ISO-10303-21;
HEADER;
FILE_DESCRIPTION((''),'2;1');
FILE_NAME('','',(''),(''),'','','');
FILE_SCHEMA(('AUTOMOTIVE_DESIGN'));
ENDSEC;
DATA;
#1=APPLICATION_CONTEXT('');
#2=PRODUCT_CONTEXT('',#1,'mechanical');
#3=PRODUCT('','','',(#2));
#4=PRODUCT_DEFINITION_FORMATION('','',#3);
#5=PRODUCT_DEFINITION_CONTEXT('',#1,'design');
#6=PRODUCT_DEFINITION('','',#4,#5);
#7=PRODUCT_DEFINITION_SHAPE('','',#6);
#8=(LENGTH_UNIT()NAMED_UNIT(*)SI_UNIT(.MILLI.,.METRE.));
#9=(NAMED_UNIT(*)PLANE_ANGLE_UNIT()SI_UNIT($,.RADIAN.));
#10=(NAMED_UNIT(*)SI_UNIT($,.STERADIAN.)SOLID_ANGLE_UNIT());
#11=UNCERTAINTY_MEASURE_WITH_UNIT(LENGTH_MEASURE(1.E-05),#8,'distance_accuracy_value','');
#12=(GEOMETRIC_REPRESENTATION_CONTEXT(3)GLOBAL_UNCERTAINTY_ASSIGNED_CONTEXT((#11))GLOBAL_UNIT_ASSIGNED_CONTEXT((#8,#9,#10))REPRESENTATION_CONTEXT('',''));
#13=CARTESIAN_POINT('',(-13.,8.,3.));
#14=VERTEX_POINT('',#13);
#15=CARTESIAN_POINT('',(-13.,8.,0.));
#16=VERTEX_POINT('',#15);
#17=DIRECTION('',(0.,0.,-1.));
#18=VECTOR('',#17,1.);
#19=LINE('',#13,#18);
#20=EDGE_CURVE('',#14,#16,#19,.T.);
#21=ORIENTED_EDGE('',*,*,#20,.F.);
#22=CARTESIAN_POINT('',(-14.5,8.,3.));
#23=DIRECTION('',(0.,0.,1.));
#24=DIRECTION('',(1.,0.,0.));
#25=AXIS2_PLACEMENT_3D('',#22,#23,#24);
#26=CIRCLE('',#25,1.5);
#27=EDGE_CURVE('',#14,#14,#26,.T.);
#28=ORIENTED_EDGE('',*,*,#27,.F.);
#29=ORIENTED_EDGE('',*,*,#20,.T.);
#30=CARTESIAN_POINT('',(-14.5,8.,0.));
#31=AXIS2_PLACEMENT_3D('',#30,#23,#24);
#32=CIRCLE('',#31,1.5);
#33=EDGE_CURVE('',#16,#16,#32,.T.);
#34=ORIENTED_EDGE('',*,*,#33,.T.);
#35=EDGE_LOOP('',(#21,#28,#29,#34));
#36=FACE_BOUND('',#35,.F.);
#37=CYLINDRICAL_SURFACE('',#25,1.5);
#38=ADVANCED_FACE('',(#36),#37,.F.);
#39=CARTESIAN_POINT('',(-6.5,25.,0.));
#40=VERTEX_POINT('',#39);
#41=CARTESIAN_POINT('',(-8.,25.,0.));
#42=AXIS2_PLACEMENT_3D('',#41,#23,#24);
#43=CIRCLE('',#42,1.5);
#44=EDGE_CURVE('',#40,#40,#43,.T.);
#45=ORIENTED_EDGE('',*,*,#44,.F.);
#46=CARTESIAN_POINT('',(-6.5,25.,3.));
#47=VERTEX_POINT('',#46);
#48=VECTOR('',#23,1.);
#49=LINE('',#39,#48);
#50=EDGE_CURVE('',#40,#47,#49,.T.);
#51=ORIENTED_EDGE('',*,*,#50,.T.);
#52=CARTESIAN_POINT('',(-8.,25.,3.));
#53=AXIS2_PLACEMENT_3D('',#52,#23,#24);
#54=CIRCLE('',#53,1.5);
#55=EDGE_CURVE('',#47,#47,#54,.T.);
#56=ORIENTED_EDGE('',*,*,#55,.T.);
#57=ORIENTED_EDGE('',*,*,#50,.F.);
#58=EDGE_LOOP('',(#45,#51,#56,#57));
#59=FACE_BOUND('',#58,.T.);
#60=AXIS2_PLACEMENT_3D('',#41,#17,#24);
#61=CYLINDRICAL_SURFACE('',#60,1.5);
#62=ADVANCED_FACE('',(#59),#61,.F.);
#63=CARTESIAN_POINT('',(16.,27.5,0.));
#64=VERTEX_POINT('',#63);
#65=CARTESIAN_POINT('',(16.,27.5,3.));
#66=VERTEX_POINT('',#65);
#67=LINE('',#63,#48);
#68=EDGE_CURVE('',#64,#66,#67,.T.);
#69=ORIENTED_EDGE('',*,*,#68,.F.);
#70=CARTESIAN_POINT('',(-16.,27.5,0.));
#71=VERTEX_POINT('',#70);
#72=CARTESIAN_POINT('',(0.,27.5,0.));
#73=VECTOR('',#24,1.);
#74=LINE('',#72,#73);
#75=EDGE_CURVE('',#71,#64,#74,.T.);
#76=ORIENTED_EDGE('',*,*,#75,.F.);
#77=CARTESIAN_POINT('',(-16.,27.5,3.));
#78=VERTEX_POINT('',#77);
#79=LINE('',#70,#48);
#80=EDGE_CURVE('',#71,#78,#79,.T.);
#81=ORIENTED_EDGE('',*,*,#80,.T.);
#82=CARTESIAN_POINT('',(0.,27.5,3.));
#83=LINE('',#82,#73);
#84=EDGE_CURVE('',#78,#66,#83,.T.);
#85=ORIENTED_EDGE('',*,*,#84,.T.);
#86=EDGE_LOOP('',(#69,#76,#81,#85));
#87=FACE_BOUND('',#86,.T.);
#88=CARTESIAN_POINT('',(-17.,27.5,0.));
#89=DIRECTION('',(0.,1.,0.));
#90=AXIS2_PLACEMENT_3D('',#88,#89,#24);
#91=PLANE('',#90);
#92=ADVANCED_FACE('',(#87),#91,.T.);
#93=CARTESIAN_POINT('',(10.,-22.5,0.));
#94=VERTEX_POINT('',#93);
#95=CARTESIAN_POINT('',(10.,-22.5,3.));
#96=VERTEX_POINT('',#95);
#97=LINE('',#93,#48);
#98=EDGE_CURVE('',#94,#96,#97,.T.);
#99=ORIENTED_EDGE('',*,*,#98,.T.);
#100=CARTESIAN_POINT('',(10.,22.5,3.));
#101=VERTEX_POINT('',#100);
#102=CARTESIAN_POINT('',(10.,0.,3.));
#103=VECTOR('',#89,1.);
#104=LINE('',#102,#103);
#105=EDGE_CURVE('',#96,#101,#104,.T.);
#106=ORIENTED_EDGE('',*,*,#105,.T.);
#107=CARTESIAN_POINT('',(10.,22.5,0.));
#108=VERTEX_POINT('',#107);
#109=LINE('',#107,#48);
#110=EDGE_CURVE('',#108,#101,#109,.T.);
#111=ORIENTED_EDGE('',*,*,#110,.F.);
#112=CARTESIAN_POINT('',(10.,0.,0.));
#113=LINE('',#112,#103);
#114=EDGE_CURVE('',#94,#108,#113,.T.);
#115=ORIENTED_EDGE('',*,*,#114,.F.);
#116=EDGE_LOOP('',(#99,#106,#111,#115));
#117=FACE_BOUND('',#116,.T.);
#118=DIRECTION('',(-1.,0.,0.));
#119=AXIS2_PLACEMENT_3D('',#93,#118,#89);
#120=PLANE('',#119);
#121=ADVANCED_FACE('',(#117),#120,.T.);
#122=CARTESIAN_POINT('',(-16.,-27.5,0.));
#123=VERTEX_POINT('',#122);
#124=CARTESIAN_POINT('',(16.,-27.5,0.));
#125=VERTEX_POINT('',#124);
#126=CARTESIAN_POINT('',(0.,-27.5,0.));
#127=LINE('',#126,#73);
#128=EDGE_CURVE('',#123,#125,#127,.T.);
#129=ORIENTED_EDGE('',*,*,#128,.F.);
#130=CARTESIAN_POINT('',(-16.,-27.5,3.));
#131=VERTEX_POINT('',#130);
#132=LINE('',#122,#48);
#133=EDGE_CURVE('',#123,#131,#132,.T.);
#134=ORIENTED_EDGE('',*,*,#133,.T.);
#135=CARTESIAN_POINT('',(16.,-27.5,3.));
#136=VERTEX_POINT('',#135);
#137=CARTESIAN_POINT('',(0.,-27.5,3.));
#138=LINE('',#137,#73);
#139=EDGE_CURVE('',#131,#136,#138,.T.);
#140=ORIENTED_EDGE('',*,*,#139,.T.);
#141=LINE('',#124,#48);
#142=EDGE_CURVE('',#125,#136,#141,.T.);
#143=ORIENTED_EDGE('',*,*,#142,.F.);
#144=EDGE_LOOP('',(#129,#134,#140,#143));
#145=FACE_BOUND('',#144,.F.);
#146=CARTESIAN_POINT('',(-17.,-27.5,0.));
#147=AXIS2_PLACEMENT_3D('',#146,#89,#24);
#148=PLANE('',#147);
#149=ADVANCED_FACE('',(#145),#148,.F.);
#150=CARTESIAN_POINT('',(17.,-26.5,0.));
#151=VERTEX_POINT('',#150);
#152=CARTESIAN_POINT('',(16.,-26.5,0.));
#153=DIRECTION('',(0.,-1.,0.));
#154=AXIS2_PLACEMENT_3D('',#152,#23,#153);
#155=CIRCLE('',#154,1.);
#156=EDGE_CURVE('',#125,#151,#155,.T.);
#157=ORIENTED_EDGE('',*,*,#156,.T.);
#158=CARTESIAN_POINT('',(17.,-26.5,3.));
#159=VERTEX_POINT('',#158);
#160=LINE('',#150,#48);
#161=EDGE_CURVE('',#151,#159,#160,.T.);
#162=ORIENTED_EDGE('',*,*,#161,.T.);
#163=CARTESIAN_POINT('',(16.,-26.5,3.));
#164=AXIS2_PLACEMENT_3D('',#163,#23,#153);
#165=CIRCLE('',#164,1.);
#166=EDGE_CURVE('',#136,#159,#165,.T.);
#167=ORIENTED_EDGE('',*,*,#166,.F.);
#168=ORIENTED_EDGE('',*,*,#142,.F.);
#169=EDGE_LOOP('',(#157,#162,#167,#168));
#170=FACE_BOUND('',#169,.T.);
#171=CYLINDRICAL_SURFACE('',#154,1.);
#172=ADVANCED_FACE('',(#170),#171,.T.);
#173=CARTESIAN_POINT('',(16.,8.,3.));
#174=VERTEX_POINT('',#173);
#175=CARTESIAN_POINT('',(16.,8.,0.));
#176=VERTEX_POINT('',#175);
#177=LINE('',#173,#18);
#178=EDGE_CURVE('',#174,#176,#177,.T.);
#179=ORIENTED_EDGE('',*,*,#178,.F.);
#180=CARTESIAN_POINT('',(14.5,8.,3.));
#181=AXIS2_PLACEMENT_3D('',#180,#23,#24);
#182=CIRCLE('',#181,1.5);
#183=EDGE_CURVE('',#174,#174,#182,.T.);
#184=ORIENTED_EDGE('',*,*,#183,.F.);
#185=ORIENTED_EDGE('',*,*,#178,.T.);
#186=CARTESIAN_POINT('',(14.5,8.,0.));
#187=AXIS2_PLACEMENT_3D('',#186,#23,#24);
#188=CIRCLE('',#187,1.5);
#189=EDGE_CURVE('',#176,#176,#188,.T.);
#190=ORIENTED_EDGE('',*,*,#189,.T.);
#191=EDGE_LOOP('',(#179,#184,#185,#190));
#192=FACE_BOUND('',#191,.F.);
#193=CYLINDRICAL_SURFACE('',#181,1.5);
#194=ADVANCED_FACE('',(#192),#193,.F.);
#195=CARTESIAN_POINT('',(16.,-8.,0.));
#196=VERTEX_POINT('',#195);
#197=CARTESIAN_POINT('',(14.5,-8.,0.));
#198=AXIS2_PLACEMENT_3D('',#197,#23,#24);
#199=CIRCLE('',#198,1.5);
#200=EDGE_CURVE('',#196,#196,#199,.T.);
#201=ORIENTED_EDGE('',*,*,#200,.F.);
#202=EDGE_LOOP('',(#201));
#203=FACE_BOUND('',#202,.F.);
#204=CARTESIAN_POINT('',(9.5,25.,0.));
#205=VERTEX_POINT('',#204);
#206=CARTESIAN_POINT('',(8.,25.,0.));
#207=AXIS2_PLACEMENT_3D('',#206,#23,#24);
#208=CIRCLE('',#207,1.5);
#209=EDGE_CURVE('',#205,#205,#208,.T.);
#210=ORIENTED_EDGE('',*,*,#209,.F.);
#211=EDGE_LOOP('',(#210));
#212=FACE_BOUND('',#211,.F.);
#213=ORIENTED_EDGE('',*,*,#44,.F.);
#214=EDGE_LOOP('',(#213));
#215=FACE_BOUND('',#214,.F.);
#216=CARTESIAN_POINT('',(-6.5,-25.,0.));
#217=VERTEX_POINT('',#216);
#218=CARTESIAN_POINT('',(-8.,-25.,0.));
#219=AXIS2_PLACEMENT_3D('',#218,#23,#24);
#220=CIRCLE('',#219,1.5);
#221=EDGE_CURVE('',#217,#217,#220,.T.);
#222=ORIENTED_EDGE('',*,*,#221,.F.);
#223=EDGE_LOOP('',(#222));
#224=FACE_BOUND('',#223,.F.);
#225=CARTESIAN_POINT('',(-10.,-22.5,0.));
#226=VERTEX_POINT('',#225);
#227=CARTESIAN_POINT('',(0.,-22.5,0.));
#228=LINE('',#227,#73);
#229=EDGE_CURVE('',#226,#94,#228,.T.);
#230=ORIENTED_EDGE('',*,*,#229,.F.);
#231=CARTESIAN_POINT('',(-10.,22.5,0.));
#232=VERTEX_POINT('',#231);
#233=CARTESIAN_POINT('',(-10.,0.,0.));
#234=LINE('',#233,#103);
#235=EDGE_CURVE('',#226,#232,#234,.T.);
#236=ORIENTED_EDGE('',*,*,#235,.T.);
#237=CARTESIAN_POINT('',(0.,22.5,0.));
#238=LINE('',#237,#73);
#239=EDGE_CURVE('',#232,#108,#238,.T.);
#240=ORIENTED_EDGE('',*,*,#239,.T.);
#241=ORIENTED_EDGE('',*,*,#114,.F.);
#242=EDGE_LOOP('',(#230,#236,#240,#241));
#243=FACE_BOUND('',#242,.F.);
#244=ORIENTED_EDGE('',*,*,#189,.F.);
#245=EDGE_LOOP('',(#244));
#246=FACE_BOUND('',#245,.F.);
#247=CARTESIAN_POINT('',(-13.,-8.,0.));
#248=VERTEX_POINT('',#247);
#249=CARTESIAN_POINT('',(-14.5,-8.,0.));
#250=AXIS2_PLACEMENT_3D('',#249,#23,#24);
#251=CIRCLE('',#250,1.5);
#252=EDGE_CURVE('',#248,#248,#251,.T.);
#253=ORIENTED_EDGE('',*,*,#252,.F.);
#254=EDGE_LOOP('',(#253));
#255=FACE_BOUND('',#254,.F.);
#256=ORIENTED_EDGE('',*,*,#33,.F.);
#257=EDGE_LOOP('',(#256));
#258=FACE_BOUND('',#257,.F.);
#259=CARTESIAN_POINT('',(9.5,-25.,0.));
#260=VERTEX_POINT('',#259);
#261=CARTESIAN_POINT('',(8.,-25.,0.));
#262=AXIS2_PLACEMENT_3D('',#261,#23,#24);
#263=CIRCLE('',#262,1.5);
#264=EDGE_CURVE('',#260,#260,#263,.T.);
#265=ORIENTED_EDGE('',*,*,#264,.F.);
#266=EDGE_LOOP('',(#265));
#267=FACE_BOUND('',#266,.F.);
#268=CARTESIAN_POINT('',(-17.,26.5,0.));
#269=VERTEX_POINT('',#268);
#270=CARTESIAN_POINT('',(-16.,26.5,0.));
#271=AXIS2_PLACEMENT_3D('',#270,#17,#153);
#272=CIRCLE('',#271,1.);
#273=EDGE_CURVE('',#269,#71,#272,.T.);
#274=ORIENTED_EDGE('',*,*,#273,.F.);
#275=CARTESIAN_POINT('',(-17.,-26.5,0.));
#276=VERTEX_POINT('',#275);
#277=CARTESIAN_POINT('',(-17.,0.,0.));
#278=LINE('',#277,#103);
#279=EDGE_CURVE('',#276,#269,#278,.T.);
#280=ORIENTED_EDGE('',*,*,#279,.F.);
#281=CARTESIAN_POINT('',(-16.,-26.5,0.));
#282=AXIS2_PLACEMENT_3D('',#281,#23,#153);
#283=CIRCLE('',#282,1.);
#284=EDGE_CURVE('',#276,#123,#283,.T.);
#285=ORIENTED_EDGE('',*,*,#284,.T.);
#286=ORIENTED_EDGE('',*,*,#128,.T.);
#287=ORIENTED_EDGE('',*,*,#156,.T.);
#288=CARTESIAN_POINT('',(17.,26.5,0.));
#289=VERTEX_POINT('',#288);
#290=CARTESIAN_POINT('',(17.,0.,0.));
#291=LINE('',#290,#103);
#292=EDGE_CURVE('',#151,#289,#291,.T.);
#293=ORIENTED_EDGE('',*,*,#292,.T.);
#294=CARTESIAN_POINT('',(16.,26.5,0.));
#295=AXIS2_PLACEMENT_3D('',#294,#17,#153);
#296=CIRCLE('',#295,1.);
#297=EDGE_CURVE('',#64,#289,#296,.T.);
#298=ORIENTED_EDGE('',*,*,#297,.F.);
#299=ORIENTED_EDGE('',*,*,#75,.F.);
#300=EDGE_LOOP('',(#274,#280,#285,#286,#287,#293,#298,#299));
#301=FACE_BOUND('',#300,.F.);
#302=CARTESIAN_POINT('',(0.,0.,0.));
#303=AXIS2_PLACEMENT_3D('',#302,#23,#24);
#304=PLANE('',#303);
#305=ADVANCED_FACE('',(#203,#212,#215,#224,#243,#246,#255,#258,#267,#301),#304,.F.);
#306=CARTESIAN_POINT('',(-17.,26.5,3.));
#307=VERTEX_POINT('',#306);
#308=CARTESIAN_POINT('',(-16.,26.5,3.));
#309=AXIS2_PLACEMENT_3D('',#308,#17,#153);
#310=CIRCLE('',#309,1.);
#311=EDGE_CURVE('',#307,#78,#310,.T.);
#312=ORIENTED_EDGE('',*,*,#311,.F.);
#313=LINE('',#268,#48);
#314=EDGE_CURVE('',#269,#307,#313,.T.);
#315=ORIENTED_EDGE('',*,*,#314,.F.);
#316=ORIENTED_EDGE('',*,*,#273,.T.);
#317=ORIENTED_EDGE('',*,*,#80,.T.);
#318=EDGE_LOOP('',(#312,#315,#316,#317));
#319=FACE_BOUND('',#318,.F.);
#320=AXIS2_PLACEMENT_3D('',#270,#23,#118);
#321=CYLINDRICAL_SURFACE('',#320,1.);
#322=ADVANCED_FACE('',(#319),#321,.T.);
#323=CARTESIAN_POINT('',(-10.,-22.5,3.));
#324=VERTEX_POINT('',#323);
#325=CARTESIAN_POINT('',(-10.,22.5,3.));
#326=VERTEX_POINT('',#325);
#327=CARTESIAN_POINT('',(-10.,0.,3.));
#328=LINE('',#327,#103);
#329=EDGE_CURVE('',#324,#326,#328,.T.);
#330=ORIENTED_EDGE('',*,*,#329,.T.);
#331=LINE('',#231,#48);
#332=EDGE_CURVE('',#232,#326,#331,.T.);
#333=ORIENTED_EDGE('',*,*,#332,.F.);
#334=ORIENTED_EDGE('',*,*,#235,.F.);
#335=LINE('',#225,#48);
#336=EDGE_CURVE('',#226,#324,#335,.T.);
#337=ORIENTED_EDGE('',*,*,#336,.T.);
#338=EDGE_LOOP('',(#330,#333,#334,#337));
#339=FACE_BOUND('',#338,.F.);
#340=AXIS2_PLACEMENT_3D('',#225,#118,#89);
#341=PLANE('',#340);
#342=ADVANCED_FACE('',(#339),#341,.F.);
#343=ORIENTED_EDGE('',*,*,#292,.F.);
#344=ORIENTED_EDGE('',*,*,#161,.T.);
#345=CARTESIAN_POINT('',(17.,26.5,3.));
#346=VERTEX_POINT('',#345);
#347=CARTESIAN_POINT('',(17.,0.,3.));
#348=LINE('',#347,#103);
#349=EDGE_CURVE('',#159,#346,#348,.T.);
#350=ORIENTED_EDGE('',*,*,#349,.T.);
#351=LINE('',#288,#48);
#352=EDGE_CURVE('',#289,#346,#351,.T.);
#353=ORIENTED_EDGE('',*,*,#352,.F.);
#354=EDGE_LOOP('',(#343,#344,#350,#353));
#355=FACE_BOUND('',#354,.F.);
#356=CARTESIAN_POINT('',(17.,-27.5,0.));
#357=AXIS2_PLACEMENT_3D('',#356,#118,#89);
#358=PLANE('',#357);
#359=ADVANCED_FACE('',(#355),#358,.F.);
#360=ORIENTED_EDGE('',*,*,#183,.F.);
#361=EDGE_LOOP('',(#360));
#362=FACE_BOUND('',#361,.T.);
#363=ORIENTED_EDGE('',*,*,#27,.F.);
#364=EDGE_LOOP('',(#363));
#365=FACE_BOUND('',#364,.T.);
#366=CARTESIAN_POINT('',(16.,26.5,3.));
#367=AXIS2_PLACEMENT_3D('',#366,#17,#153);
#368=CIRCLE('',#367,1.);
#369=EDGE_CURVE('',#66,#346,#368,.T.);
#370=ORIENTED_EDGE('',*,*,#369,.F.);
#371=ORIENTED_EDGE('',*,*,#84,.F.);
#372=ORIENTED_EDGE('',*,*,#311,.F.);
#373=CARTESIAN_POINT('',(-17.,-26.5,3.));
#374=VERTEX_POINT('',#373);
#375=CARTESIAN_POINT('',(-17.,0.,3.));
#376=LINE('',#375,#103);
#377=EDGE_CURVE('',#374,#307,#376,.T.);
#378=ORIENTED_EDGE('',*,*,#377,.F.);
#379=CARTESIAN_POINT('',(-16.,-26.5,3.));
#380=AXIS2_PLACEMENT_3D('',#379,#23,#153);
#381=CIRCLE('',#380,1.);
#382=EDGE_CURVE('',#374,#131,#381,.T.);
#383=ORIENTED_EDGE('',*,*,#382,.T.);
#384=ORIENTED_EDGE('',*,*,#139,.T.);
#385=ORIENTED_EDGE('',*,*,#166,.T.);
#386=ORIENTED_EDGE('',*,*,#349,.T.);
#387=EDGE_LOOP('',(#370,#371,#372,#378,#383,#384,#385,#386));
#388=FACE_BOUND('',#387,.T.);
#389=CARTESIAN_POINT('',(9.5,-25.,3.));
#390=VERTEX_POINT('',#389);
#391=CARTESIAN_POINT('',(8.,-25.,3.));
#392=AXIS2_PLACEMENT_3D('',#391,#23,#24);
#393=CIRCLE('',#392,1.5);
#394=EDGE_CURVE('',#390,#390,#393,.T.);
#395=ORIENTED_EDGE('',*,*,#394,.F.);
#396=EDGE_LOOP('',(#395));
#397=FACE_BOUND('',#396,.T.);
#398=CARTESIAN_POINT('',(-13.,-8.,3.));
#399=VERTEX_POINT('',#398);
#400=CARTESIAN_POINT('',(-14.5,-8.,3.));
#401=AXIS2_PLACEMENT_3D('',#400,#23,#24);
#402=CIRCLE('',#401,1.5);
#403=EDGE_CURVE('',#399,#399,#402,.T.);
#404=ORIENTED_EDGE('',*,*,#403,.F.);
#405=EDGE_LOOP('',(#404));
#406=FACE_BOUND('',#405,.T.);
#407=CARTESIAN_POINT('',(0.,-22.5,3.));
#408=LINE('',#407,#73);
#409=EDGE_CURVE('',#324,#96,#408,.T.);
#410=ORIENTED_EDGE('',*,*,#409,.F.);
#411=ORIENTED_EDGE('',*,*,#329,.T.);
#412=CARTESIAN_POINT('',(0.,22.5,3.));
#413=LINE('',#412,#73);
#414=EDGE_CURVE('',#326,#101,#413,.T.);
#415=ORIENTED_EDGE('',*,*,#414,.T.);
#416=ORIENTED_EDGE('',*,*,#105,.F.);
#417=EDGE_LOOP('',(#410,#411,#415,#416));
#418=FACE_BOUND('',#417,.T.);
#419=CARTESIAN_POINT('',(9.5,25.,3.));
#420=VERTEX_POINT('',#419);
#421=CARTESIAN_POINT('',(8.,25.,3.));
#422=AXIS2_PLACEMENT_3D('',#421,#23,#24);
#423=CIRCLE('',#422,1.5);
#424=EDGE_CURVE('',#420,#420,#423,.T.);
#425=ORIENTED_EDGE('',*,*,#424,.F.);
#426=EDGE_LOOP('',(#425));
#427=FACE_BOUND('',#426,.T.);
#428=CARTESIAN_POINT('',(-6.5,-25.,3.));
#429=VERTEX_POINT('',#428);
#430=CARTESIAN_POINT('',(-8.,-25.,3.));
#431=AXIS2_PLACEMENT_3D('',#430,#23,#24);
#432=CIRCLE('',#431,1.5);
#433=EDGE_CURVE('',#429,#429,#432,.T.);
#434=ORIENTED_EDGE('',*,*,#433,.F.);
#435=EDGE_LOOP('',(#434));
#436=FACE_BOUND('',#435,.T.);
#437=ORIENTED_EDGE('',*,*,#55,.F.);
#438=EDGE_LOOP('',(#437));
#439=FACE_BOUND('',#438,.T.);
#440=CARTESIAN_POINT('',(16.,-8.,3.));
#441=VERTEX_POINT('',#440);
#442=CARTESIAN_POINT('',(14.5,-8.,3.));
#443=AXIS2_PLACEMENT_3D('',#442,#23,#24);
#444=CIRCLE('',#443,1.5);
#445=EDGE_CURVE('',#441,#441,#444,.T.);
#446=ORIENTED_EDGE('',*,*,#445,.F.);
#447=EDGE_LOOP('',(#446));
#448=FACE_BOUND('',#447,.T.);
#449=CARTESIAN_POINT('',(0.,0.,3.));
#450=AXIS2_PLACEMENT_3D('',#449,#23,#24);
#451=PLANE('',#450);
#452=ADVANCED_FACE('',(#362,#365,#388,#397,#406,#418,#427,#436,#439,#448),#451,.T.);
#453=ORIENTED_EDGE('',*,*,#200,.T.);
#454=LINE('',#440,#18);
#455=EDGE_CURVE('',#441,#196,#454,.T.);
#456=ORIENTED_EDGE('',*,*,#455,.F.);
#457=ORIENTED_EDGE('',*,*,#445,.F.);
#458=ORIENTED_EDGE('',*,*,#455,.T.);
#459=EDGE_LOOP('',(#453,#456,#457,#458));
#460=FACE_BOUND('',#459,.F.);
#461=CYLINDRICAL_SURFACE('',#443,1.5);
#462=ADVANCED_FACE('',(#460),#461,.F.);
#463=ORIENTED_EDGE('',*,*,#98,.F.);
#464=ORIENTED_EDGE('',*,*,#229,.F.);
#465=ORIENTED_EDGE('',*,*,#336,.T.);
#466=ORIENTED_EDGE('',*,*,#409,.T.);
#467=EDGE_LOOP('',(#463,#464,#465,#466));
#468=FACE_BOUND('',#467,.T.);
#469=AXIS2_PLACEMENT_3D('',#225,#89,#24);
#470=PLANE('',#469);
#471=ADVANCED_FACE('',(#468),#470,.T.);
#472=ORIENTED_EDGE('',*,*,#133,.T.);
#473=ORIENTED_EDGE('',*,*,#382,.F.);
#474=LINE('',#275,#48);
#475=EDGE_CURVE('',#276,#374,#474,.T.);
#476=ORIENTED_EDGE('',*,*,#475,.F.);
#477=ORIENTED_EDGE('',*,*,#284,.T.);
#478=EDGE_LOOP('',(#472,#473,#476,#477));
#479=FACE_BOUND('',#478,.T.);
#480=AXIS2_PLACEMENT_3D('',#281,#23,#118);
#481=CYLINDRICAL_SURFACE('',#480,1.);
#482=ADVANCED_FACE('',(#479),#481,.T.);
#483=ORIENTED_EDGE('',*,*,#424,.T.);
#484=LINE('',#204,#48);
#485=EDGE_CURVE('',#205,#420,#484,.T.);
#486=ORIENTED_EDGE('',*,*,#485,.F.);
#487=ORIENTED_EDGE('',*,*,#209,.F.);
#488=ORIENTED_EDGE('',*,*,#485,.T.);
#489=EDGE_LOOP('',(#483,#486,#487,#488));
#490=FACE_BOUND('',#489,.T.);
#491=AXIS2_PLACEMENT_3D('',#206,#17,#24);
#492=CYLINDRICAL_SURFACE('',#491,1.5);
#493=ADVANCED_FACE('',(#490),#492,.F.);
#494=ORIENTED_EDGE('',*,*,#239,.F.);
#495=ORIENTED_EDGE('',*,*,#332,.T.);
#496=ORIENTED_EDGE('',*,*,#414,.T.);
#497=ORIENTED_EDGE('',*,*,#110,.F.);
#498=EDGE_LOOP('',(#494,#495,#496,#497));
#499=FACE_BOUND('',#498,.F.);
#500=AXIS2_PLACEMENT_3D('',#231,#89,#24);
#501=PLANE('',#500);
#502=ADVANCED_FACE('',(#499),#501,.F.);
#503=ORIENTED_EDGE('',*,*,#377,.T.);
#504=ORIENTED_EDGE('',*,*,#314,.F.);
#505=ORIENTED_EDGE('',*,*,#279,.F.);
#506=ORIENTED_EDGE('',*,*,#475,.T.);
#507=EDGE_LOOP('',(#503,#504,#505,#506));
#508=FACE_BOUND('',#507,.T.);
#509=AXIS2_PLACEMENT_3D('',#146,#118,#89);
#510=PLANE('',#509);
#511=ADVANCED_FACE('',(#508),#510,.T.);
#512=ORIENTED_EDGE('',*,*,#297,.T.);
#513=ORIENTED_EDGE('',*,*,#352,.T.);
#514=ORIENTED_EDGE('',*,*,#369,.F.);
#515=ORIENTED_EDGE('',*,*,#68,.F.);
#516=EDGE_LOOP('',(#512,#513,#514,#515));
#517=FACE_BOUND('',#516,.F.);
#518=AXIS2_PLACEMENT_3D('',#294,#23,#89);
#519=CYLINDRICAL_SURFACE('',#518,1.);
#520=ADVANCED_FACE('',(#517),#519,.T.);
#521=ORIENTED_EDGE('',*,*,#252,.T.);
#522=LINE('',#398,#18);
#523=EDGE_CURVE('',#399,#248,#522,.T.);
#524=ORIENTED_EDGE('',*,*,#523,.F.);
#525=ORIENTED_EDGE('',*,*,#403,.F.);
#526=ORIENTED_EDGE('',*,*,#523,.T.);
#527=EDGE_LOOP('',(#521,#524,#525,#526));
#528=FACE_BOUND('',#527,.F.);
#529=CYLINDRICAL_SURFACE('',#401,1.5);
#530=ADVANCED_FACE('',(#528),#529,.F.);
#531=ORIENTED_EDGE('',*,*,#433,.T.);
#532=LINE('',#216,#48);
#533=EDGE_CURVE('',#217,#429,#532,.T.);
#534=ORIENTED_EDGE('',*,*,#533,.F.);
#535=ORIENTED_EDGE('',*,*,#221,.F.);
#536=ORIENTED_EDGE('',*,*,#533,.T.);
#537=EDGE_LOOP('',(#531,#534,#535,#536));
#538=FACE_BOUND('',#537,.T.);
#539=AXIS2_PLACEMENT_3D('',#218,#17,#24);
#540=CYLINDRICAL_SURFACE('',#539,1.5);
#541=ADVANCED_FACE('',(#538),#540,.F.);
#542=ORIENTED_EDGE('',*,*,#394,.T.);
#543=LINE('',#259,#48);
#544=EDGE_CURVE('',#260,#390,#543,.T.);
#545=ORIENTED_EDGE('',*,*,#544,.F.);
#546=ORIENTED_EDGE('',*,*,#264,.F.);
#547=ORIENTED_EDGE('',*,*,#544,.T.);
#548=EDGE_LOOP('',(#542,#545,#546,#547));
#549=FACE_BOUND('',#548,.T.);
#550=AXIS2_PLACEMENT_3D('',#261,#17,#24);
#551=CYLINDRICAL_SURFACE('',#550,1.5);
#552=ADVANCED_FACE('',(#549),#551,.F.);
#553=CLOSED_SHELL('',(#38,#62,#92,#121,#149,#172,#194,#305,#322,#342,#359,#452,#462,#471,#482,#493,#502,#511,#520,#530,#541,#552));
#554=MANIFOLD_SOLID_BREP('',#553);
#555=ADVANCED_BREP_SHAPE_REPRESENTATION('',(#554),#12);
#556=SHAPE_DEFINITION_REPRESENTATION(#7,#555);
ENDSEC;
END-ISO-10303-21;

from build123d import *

# Parameters (mm, degrees)
F0_W     = 34
F0_H     = 55
F0_R     = 1.5
F0_W_2   = 20
F0_H_2   = 45
F1_DEPTH = 3
F2_R     = 1.5
F3_DEPTH = 5
F4_R     = 1


with BuildPart() as f1:
    # F0 (on Top) → F1 (new body)
    with BuildSketch(Plane.XY):
        Rectangle(F0_W, F0_H)
        with Locations((-8, -25)):
            Circle(F0_R, mode=Mode.SUBTRACT)
        with Locations((8, -25)):
            Circle(F0_R, mode=Mode.SUBTRACT)
        with Locations((-8, 25)):
            Circle(F0_R, mode=Mode.SUBTRACT)
        Rectangle(F0_W_2, F0_H_2, mode=Mode.SUBTRACT)
        with Locations((8, 25)):
            Circle(F0_R, mode=Mode.SUBTRACT)
    extrude(amount=F1_DEPTH)

    # F2 (on face) → F3 (cut)
    with BuildSketch(Plane.XY.offset(3)):
        with Locations((-14.5, 8)):
            Circle(F2_R)
        with Locations((14.5, 8)):
            Circle(F2_R)
        with Locations((-14.5, -8)):
            Circle(F2_R)
        with Locations((14.5, -8)):
            Circle(F2_R)
    extrude(amount=-F3_DEPTH, mode=Mode.SUBTRACT)

    # F4
    f4_edges = [f1.edges().sort_by_distance(p)[0] for p in [
        (-17, 27.5, 1.5),
        (17, 27.5, 1.5),
        (17, -27.5, 1.5),
        (-17, -27.5, 1.5),
    ]]
    fillet(f4_edges, radius=F4_R)


solid = f1.part
